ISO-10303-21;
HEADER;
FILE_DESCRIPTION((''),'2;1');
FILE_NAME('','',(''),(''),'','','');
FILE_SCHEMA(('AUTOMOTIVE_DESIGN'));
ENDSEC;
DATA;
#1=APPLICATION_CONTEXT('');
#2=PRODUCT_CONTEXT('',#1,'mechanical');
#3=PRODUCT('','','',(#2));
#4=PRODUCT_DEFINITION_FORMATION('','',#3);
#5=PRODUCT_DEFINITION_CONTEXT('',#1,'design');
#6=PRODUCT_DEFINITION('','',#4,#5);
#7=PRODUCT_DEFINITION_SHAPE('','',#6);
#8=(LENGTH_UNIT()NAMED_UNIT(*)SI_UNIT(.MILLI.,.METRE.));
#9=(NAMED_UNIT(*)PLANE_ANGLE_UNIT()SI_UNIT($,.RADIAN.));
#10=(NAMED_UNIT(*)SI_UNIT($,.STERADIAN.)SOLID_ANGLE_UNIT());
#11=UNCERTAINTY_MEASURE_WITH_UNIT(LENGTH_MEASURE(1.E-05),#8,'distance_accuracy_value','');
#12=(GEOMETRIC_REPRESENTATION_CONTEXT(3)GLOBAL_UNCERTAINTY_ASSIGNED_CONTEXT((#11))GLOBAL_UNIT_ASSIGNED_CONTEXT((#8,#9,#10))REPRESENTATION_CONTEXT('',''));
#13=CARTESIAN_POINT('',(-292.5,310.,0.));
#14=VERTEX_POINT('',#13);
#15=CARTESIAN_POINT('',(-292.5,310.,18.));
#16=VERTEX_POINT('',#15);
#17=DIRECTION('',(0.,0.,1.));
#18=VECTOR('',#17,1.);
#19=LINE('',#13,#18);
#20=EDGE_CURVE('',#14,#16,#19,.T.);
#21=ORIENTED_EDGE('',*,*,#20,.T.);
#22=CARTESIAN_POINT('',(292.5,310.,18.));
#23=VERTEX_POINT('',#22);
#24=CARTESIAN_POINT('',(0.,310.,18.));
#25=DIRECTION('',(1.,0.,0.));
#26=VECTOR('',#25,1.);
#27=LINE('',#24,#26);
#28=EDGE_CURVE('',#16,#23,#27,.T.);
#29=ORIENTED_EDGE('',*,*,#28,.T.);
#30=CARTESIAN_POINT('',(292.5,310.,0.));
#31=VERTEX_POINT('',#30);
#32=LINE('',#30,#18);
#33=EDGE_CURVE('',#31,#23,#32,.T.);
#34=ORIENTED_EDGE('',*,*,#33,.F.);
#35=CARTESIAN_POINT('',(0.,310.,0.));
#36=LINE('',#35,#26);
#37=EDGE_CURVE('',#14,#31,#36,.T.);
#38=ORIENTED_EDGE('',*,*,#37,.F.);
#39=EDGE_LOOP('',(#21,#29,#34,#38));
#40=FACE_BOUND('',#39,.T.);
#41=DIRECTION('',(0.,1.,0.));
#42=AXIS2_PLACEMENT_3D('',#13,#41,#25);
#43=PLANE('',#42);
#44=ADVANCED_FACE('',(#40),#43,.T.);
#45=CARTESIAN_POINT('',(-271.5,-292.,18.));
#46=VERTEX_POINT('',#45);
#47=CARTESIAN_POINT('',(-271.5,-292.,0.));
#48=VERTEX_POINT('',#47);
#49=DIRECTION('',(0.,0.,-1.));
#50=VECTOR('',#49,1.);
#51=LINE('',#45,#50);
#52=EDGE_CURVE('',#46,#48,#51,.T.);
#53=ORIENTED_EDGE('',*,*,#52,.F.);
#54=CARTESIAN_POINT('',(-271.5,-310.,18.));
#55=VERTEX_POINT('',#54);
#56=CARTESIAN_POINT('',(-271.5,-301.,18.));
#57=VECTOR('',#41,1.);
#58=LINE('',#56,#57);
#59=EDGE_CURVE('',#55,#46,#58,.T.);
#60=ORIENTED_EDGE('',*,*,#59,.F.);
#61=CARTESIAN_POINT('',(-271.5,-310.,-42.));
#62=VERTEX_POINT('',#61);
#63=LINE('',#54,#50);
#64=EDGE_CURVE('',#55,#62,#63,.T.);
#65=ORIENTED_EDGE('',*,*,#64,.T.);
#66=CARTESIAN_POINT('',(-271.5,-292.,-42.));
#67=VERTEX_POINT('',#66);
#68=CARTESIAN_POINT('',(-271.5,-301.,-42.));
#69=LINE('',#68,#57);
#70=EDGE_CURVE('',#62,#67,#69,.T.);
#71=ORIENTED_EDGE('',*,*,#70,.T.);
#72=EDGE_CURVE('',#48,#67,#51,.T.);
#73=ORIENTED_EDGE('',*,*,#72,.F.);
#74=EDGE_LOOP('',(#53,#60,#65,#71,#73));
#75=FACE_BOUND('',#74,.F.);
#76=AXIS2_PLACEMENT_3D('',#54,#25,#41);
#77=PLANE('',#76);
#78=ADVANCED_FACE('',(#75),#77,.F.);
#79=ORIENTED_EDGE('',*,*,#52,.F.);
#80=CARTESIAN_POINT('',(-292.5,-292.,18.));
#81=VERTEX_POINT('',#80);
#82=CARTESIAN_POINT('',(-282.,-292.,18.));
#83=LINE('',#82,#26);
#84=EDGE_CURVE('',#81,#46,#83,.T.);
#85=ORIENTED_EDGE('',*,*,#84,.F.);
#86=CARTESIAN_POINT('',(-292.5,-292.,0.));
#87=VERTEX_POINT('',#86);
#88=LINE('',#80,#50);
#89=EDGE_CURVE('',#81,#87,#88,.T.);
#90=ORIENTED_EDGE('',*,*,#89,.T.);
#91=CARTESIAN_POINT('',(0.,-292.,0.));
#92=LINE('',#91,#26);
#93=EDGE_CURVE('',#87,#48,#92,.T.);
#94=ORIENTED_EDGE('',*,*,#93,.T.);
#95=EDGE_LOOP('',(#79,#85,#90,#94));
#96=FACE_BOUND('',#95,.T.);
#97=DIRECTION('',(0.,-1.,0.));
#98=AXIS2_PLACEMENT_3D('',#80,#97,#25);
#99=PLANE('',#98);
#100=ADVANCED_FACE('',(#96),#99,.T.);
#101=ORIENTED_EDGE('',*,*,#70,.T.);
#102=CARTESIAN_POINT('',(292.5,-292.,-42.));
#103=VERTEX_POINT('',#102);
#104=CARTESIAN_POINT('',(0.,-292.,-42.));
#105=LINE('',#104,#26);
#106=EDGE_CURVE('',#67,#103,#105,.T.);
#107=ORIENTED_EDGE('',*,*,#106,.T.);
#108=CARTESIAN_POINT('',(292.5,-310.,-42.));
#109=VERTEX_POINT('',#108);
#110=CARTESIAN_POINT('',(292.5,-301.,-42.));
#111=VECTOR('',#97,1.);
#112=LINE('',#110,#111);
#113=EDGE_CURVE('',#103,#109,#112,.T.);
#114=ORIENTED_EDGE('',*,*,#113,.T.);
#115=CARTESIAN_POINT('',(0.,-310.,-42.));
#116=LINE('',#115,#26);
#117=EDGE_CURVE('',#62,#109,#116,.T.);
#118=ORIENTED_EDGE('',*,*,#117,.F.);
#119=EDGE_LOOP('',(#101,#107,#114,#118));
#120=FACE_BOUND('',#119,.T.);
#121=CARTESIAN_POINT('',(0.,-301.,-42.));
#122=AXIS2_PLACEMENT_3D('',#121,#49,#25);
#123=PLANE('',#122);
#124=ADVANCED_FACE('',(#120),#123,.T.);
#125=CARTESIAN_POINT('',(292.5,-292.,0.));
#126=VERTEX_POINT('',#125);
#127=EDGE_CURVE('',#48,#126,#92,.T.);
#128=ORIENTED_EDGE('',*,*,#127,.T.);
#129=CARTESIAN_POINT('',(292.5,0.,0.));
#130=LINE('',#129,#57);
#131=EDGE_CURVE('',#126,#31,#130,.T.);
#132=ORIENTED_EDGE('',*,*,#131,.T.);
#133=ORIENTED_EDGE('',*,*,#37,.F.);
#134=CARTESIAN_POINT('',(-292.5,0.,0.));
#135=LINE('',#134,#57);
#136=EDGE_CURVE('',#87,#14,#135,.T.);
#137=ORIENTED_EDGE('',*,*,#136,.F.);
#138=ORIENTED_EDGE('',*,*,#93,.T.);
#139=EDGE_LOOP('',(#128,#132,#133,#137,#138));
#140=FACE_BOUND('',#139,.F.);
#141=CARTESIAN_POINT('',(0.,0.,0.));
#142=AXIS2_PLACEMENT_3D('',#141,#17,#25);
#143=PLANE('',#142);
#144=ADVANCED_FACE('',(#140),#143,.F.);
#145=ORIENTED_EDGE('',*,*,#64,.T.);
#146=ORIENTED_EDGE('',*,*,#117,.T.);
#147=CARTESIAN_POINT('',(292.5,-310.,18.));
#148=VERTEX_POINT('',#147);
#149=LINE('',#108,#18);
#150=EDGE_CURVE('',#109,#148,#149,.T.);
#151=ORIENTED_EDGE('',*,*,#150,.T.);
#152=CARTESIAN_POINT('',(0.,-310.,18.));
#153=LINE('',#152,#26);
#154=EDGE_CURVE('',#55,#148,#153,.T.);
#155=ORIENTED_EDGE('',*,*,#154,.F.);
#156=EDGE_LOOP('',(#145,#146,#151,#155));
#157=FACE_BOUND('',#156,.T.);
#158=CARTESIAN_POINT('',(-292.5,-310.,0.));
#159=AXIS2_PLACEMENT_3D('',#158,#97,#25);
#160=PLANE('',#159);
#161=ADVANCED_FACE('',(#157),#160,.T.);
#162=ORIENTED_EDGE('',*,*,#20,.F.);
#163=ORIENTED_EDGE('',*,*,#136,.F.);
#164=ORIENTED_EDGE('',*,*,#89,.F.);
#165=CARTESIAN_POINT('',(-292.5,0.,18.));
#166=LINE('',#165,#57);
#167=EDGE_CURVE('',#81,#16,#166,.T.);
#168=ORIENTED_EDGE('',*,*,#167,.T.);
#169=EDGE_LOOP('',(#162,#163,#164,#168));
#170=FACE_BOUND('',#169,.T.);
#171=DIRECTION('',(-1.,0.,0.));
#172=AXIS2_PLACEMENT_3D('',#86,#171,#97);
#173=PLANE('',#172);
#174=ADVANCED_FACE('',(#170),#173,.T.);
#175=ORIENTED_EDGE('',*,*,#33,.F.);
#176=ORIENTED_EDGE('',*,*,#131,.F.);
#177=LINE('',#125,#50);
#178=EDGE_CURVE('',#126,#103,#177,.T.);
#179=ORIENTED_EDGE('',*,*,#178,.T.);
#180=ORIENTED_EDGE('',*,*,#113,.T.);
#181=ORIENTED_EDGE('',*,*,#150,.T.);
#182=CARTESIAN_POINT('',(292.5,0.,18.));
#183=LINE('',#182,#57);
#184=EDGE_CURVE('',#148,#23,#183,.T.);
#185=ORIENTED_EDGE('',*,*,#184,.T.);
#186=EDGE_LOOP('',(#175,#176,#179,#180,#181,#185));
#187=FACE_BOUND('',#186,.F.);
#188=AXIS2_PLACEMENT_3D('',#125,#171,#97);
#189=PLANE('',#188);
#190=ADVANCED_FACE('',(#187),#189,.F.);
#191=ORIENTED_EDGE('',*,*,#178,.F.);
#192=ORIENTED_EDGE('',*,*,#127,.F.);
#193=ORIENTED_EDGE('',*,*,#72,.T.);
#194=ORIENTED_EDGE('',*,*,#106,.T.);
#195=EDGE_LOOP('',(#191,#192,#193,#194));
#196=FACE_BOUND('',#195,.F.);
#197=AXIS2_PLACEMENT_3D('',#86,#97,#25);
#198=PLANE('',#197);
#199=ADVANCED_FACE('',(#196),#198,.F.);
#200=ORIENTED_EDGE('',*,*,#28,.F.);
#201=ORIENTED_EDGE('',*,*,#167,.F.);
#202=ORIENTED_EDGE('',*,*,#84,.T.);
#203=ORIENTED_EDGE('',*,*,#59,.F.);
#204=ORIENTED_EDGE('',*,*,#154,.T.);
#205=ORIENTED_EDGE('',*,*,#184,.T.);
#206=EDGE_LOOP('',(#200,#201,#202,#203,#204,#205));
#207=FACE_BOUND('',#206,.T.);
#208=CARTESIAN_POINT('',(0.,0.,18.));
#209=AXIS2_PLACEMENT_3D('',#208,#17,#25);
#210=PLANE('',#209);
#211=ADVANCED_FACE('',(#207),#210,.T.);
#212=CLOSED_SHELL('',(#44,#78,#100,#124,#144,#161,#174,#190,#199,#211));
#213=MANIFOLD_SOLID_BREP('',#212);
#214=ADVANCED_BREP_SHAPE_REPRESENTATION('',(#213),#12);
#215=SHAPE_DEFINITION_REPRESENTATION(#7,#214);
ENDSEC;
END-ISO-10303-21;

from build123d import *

# Parameters (mm, degrees)
F0_W     = 585
F0_H     = 620
F1_DEPTH = 18
F2_W     = 585
F2_H     = 18
F3_DEPTH = 42
F4_W     = 21
F4_H     = 18
F5_DEPTH = 60


with BuildPart() as f1:
    # F0 (on Top) → F1 (new body)
    with BuildSketch(Plane.XY):
        Rectangle(F0_W, F0_H)
    extrude(amount=F1_DEPTH)

    # F2 (on face) → F3 (join)
    with BuildSketch(Plane(origin=(0, 0, 0), x_dir=(1, 0, 0), z_dir=(0, 0, -1))):
        with Locations((0, 301)):
            Rectangle(F2_W, F2_H)
    extrude(amount=F3_DEPTH)

    # F4 (on face) → F5 (cut)
    with BuildSketch(Plane.XY.offset(18)):
        with Locations((-282, -301)):
            Rectangle(F4_W, F4_H)
    extrude(amount=-F5_DEPTH, mode=Mode.SUBTRACT)


solid = f1.part
